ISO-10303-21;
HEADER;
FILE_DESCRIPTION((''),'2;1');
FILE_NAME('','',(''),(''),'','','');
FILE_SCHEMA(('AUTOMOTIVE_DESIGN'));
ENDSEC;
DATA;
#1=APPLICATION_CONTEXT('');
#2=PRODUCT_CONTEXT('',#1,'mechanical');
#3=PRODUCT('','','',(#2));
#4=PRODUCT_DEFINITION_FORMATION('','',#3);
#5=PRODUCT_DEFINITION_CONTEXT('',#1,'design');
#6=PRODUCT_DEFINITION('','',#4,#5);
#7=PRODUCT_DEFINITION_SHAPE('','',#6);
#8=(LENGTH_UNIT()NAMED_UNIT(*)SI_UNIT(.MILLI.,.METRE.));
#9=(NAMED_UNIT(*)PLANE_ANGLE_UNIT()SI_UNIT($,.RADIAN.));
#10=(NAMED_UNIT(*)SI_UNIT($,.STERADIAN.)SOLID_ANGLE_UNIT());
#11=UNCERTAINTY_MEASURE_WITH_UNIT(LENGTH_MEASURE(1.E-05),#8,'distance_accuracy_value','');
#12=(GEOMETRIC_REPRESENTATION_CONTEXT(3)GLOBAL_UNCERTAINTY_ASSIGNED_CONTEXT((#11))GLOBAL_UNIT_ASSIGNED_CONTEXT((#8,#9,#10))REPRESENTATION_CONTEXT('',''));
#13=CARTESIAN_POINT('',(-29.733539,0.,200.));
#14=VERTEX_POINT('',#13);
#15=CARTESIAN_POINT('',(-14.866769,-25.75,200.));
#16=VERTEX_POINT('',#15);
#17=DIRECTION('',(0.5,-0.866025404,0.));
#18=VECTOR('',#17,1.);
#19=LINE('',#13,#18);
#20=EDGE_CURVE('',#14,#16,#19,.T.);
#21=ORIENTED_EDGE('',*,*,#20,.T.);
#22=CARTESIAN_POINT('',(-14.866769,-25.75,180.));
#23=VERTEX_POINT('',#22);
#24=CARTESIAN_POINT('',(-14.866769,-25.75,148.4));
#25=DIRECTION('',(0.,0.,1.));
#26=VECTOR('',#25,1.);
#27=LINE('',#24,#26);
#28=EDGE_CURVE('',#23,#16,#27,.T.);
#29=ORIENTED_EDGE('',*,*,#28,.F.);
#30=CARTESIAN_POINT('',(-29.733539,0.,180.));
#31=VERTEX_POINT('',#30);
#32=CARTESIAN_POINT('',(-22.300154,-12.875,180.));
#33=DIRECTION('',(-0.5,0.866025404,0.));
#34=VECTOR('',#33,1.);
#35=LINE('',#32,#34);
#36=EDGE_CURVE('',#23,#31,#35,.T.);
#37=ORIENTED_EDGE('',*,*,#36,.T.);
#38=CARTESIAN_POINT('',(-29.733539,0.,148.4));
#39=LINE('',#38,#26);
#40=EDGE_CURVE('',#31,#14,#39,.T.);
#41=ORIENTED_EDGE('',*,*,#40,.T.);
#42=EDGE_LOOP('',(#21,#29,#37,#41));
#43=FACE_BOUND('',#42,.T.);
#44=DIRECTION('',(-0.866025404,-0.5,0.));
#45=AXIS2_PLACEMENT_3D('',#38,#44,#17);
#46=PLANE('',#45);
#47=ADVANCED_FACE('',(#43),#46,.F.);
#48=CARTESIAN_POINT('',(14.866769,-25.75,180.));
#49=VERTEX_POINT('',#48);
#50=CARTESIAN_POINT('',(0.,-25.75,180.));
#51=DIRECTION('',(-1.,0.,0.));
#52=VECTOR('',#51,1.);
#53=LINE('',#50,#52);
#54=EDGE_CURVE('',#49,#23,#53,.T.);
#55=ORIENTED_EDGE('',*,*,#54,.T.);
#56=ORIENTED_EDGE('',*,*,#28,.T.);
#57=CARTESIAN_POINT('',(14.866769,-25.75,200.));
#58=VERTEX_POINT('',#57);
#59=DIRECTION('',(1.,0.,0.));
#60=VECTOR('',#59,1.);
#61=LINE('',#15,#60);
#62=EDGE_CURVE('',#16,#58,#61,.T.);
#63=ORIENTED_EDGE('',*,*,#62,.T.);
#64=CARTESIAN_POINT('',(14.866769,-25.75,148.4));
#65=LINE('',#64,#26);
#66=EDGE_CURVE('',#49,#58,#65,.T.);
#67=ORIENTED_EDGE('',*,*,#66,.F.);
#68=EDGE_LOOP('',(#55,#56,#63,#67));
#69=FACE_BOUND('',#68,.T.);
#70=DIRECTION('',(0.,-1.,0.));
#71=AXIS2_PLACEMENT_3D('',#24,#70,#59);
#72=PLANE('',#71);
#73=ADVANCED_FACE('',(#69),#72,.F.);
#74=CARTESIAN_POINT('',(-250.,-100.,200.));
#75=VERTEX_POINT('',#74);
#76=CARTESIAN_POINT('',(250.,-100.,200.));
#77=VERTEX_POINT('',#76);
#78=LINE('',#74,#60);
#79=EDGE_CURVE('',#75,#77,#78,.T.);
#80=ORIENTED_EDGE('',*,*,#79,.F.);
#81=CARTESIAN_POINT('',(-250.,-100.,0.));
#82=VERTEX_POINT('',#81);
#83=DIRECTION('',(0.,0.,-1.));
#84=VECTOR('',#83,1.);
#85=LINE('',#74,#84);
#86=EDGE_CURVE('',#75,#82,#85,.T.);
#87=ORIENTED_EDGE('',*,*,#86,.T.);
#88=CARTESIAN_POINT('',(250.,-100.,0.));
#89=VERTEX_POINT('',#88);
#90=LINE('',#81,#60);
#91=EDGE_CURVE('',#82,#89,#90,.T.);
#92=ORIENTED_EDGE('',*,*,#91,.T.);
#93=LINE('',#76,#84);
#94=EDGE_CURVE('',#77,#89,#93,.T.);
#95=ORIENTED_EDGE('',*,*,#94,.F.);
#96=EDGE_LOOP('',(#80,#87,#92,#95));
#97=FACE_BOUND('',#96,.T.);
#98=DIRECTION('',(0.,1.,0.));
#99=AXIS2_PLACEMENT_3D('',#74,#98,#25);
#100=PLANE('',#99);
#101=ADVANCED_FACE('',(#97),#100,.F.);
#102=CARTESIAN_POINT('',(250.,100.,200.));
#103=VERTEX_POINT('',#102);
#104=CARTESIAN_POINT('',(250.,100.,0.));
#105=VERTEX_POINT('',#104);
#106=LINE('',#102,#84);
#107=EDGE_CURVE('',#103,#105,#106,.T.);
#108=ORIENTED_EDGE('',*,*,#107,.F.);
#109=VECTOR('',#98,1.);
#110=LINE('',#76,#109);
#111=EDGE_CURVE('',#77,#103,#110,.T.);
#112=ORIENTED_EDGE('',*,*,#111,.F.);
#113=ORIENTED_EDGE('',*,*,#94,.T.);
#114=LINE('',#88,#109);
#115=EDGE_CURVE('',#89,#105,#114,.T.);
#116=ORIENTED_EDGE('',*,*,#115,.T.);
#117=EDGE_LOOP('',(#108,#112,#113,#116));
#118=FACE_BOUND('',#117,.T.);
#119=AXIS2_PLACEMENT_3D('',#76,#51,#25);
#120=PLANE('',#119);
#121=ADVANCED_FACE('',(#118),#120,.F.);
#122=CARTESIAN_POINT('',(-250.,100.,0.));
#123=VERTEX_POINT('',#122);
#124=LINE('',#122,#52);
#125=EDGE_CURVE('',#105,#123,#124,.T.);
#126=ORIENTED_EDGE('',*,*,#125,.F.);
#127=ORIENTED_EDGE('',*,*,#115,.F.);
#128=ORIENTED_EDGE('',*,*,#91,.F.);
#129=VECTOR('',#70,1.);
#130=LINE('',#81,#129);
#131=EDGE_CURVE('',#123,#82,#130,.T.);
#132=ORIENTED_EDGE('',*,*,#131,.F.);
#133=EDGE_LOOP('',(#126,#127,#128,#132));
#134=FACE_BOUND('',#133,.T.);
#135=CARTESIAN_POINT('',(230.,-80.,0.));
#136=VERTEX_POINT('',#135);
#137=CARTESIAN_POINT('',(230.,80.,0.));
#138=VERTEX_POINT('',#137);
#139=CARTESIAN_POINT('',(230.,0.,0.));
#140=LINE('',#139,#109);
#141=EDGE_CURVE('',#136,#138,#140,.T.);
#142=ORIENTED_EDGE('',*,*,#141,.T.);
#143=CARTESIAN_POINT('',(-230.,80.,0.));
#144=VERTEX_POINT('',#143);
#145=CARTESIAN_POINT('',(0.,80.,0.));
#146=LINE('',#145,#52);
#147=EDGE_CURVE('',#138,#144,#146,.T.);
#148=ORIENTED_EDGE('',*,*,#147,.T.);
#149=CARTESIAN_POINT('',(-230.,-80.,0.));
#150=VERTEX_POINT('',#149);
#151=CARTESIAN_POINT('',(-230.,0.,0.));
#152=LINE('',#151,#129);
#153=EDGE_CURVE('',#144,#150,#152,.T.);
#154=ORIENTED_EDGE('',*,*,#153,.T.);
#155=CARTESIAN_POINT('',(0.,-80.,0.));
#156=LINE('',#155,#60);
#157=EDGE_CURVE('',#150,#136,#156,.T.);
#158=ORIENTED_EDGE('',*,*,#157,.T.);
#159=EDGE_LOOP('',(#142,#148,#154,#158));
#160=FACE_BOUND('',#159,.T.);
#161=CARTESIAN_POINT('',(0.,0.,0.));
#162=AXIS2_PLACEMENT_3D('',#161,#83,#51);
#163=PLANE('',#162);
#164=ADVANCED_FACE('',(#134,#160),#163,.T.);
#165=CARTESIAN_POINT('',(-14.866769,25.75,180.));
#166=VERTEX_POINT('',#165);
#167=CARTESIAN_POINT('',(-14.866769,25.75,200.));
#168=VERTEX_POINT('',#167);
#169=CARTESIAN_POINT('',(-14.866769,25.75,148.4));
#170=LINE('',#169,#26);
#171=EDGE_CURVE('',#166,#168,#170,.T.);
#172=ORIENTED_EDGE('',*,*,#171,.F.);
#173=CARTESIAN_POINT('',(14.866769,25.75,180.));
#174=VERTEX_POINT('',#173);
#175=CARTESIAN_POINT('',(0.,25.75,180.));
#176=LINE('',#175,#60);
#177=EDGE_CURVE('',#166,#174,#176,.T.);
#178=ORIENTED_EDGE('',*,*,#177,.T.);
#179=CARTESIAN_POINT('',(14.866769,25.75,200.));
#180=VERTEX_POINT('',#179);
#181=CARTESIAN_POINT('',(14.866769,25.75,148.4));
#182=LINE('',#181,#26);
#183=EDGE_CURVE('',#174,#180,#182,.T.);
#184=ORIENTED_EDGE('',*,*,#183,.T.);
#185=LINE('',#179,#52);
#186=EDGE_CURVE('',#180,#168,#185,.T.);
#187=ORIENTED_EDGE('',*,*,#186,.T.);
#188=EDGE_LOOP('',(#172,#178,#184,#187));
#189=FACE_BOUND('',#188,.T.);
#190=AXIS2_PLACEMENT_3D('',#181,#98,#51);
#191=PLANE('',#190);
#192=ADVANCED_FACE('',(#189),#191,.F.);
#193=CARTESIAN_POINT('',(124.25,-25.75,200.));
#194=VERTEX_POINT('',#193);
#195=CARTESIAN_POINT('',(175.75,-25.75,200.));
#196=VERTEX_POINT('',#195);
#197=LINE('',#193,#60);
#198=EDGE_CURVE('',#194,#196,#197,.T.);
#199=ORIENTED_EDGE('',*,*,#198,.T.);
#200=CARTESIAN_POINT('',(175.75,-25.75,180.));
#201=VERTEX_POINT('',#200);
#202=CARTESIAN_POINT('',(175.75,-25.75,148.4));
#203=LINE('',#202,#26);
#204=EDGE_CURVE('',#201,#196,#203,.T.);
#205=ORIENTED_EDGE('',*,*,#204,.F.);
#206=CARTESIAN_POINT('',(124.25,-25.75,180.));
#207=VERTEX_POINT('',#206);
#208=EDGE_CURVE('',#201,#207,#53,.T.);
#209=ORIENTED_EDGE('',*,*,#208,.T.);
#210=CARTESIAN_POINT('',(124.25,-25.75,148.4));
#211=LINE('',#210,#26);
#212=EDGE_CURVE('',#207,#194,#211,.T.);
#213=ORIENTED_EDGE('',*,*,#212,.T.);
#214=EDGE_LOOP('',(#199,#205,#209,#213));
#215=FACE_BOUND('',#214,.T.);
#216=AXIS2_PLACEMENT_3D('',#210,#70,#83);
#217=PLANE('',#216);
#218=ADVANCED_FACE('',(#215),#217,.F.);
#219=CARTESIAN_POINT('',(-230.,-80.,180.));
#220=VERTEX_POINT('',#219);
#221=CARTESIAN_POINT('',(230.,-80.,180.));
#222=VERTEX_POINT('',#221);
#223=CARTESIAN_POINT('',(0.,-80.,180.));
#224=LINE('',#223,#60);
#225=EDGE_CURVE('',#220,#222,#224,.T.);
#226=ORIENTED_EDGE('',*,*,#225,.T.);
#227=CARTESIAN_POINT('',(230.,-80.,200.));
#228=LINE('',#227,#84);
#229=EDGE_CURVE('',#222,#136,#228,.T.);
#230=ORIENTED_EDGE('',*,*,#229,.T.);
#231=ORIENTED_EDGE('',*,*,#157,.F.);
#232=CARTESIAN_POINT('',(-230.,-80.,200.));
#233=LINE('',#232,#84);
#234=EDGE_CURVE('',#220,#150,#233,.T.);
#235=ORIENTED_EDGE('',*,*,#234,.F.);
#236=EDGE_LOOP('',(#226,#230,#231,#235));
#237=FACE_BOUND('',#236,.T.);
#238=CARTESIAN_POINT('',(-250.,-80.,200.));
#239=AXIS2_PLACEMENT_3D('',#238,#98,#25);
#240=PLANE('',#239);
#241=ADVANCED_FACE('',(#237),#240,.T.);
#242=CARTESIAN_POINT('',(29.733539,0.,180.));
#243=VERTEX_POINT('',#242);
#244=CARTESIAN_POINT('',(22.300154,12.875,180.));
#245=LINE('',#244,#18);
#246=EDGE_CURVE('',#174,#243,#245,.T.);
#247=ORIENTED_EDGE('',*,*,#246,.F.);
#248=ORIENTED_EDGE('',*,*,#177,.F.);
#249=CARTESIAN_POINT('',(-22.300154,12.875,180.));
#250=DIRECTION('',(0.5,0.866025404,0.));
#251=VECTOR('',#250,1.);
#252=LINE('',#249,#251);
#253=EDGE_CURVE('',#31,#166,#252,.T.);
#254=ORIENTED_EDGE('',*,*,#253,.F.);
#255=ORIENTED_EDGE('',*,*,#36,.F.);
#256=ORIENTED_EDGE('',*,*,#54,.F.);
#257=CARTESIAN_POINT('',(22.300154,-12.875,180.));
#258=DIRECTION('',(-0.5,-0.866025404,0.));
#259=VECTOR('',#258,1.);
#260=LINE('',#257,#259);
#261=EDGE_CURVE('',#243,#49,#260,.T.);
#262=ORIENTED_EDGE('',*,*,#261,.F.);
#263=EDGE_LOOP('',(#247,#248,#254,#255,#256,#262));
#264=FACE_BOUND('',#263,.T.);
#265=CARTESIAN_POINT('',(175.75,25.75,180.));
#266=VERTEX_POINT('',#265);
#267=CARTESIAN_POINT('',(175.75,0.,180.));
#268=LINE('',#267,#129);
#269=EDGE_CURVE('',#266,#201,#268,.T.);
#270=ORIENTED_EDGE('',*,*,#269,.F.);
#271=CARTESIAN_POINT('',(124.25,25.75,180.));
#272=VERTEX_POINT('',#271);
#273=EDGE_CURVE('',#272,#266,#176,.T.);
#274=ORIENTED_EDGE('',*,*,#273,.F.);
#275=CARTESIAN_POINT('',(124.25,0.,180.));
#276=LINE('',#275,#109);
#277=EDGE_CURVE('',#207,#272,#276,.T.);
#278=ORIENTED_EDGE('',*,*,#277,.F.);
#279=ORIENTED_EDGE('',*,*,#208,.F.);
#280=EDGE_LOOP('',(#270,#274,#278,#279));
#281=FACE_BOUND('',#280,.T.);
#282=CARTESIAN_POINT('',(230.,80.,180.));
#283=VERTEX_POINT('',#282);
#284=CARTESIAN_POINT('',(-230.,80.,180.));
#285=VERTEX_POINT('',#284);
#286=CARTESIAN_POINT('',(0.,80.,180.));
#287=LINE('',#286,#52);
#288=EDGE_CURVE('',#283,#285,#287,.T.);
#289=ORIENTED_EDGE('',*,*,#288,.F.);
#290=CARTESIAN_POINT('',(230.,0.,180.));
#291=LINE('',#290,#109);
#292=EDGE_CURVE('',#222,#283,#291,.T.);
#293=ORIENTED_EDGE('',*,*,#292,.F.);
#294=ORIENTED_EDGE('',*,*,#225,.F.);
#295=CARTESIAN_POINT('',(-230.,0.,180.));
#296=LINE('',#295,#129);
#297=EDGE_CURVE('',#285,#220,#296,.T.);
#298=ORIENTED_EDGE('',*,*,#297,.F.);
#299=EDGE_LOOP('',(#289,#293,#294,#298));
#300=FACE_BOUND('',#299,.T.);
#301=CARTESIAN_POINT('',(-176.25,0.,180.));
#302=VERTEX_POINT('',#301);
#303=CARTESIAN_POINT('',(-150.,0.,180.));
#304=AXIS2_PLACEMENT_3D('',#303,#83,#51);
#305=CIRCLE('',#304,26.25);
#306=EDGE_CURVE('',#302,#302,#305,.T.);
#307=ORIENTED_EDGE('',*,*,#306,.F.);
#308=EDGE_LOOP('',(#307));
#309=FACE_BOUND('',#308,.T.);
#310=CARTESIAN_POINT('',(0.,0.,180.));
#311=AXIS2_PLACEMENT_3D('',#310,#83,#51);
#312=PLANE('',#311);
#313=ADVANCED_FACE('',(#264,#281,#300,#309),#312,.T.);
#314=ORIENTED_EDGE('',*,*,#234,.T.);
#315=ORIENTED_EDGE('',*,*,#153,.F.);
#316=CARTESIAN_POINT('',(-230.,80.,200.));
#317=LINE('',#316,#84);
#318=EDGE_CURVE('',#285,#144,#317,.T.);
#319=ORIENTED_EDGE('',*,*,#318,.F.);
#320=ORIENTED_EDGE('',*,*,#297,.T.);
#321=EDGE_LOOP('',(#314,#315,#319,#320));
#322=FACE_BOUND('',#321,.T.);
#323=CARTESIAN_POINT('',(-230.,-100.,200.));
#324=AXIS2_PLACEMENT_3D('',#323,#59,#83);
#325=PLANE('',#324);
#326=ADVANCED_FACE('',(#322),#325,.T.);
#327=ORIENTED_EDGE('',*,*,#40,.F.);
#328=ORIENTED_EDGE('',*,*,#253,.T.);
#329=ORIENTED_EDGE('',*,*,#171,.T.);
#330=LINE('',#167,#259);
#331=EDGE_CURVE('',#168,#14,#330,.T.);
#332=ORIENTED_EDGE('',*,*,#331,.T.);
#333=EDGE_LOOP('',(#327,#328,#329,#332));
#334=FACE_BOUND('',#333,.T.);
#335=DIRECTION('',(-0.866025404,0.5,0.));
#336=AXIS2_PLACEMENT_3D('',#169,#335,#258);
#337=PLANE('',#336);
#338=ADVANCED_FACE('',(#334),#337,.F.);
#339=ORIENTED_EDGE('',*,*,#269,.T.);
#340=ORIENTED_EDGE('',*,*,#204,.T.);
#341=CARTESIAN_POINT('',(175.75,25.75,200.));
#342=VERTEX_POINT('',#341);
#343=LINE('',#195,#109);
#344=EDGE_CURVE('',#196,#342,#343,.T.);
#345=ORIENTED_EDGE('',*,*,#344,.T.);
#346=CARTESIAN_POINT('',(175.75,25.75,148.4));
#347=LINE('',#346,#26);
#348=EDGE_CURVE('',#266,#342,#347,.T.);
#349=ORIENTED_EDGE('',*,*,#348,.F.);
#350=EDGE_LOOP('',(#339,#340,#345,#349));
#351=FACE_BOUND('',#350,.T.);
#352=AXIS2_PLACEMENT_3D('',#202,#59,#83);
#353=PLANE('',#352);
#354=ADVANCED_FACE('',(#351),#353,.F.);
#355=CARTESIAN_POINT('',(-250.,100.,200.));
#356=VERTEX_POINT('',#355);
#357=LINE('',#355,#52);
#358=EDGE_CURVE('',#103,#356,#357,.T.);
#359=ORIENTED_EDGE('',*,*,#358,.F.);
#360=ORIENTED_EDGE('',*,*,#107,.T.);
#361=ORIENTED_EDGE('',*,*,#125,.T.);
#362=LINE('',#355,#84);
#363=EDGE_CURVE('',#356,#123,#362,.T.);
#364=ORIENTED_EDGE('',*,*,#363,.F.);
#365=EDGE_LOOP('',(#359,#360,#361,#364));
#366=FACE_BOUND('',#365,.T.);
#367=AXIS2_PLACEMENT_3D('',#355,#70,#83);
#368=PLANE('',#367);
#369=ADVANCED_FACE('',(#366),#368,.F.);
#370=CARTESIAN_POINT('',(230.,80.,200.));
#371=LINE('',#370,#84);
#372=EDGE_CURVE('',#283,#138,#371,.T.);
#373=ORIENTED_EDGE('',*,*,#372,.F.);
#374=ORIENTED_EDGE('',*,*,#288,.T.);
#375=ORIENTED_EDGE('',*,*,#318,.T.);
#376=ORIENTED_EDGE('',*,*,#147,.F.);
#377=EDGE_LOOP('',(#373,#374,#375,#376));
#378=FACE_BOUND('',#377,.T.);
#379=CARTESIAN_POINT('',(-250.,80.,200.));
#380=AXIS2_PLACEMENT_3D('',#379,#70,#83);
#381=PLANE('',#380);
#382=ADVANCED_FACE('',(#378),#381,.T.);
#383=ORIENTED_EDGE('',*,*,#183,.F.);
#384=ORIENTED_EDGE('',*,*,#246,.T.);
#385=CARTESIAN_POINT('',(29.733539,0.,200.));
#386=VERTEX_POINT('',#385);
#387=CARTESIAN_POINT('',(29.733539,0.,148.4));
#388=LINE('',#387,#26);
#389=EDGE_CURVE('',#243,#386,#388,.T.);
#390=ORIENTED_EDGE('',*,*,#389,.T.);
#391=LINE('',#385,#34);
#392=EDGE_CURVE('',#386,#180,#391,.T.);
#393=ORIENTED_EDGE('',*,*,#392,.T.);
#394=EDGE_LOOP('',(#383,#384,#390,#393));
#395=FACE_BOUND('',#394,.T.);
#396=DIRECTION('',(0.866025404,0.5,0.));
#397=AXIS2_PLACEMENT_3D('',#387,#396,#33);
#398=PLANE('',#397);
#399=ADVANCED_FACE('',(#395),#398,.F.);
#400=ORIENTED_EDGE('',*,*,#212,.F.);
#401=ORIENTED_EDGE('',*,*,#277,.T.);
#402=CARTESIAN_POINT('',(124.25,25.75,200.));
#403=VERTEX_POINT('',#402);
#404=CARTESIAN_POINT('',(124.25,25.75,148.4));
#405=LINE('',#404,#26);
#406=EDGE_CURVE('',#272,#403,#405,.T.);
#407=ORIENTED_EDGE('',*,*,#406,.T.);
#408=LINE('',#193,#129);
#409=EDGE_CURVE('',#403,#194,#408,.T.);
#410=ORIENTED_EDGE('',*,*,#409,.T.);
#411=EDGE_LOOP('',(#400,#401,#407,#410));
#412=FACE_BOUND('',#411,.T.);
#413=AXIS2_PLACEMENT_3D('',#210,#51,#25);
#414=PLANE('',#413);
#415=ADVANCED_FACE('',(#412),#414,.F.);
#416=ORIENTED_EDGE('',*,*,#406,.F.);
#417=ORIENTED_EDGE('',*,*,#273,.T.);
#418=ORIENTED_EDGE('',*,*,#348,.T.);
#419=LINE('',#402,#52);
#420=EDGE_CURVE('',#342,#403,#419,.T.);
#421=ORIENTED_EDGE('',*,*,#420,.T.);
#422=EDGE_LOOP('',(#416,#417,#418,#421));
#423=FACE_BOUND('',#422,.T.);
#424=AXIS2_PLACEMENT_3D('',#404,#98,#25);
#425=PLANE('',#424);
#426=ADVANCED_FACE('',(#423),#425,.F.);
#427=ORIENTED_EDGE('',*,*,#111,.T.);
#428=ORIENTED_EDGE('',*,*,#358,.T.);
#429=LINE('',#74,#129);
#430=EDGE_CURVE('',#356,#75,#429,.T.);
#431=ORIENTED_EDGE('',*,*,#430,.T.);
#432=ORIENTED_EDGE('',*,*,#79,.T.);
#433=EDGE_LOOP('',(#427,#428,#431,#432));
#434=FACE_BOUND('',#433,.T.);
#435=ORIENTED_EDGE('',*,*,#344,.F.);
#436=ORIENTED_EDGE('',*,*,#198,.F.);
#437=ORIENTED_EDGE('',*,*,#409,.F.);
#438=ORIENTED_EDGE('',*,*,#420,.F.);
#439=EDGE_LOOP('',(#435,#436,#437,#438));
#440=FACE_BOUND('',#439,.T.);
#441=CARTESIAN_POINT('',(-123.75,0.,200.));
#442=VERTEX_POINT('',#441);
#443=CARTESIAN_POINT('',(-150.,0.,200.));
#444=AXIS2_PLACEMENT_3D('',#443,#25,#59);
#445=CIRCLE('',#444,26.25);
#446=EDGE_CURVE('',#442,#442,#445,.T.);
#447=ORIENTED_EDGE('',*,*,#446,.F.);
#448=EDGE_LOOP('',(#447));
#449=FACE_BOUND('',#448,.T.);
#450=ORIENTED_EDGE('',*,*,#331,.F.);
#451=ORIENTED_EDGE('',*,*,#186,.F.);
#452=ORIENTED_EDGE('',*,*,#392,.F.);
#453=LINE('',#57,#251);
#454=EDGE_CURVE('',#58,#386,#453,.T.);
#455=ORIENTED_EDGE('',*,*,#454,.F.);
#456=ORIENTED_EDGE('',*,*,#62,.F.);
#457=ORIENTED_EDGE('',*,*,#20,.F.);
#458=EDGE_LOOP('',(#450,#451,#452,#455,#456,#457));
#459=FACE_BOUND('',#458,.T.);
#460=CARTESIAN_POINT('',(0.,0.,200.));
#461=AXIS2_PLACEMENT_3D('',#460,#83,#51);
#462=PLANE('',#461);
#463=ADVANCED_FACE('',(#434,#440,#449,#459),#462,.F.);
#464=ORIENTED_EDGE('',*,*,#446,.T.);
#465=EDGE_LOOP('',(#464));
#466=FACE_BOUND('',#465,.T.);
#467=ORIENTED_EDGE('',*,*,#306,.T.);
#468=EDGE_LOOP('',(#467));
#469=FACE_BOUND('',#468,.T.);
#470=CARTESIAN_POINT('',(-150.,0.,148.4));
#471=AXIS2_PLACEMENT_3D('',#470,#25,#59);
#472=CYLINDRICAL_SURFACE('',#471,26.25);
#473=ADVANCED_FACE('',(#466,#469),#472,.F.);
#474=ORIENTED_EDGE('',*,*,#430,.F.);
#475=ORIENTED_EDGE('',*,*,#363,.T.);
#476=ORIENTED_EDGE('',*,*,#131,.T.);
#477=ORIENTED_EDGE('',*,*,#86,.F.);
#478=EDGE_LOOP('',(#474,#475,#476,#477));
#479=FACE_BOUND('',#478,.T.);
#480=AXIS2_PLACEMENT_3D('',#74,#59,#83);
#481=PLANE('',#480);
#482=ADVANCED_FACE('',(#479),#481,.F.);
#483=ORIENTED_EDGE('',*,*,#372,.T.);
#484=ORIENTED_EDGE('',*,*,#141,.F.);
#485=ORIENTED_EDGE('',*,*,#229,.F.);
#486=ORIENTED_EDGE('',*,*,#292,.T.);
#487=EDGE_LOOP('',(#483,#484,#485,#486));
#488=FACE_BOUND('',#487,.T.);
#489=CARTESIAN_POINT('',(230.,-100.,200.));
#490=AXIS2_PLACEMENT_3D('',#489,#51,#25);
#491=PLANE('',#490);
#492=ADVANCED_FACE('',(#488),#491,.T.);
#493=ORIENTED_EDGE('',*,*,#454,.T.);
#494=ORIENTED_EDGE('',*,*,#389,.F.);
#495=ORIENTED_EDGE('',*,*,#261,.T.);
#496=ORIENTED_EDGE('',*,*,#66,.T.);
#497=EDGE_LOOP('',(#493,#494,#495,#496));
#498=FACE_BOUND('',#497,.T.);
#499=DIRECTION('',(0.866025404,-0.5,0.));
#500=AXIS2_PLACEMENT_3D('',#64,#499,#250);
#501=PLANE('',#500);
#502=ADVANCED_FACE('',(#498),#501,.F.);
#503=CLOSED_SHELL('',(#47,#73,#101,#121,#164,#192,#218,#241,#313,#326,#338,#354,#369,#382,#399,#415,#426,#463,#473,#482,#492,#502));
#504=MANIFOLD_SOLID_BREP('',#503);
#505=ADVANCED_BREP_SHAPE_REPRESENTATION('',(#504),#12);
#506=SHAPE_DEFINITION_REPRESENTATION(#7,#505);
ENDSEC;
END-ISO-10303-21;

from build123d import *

# Parameters (mm, degrees)
SKETCH5_W           = 500
SKETCH5_H           = 200
BOSS_EXTRUDE2_DEPTH = 200
SHELL2_T            = -20
SKETCH6_R           = 26.25
SKETCH6_W           = 51.5
SKETCH6_H           = 51.5
CUT_EXTRUDE2_DEPTH  = 51.6


with BuildPart() as part:
    # Sketch5 → Boss-Extrude2 (new body)
    with BuildSketch(Plane.XY):
        Rectangle(SKETCH5_W, SKETCH5_H)
    extrude(amount=BOSS_EXTRUDE2_DEPTH)

    # Shell2
    shell2_openings = [part.faces().sort_by_distance(p)[0] for p in [
        (0, 0, 0),
    ]]
    offset(amount=SHELL2_T, openings=shell2_openings, kind=Kind.INTERSECTION)

    # Sketch6 → Cut-Extrude2 (cut)
    with BuildSketch(Plane.XY.offset(200)):
        with Locations((-150, 0)):
            Circle(SKETCH6_R)
        Polygon((14.866769432, 25.75), (-14.866769432, 25.75), (-29.733538863, 0), (-14.866769432, -25.75), (14.866769432, -25.75), (29.733538863, 0), align=None)
        with Locations((150, 0)):
            Rectangle(SKETCH6_W, SKETCH6_H)
    extrude(amount=-CUT_EXTRUDE2_DEPTH, mode=Mode.SUBTRACT)


solid = part.part
